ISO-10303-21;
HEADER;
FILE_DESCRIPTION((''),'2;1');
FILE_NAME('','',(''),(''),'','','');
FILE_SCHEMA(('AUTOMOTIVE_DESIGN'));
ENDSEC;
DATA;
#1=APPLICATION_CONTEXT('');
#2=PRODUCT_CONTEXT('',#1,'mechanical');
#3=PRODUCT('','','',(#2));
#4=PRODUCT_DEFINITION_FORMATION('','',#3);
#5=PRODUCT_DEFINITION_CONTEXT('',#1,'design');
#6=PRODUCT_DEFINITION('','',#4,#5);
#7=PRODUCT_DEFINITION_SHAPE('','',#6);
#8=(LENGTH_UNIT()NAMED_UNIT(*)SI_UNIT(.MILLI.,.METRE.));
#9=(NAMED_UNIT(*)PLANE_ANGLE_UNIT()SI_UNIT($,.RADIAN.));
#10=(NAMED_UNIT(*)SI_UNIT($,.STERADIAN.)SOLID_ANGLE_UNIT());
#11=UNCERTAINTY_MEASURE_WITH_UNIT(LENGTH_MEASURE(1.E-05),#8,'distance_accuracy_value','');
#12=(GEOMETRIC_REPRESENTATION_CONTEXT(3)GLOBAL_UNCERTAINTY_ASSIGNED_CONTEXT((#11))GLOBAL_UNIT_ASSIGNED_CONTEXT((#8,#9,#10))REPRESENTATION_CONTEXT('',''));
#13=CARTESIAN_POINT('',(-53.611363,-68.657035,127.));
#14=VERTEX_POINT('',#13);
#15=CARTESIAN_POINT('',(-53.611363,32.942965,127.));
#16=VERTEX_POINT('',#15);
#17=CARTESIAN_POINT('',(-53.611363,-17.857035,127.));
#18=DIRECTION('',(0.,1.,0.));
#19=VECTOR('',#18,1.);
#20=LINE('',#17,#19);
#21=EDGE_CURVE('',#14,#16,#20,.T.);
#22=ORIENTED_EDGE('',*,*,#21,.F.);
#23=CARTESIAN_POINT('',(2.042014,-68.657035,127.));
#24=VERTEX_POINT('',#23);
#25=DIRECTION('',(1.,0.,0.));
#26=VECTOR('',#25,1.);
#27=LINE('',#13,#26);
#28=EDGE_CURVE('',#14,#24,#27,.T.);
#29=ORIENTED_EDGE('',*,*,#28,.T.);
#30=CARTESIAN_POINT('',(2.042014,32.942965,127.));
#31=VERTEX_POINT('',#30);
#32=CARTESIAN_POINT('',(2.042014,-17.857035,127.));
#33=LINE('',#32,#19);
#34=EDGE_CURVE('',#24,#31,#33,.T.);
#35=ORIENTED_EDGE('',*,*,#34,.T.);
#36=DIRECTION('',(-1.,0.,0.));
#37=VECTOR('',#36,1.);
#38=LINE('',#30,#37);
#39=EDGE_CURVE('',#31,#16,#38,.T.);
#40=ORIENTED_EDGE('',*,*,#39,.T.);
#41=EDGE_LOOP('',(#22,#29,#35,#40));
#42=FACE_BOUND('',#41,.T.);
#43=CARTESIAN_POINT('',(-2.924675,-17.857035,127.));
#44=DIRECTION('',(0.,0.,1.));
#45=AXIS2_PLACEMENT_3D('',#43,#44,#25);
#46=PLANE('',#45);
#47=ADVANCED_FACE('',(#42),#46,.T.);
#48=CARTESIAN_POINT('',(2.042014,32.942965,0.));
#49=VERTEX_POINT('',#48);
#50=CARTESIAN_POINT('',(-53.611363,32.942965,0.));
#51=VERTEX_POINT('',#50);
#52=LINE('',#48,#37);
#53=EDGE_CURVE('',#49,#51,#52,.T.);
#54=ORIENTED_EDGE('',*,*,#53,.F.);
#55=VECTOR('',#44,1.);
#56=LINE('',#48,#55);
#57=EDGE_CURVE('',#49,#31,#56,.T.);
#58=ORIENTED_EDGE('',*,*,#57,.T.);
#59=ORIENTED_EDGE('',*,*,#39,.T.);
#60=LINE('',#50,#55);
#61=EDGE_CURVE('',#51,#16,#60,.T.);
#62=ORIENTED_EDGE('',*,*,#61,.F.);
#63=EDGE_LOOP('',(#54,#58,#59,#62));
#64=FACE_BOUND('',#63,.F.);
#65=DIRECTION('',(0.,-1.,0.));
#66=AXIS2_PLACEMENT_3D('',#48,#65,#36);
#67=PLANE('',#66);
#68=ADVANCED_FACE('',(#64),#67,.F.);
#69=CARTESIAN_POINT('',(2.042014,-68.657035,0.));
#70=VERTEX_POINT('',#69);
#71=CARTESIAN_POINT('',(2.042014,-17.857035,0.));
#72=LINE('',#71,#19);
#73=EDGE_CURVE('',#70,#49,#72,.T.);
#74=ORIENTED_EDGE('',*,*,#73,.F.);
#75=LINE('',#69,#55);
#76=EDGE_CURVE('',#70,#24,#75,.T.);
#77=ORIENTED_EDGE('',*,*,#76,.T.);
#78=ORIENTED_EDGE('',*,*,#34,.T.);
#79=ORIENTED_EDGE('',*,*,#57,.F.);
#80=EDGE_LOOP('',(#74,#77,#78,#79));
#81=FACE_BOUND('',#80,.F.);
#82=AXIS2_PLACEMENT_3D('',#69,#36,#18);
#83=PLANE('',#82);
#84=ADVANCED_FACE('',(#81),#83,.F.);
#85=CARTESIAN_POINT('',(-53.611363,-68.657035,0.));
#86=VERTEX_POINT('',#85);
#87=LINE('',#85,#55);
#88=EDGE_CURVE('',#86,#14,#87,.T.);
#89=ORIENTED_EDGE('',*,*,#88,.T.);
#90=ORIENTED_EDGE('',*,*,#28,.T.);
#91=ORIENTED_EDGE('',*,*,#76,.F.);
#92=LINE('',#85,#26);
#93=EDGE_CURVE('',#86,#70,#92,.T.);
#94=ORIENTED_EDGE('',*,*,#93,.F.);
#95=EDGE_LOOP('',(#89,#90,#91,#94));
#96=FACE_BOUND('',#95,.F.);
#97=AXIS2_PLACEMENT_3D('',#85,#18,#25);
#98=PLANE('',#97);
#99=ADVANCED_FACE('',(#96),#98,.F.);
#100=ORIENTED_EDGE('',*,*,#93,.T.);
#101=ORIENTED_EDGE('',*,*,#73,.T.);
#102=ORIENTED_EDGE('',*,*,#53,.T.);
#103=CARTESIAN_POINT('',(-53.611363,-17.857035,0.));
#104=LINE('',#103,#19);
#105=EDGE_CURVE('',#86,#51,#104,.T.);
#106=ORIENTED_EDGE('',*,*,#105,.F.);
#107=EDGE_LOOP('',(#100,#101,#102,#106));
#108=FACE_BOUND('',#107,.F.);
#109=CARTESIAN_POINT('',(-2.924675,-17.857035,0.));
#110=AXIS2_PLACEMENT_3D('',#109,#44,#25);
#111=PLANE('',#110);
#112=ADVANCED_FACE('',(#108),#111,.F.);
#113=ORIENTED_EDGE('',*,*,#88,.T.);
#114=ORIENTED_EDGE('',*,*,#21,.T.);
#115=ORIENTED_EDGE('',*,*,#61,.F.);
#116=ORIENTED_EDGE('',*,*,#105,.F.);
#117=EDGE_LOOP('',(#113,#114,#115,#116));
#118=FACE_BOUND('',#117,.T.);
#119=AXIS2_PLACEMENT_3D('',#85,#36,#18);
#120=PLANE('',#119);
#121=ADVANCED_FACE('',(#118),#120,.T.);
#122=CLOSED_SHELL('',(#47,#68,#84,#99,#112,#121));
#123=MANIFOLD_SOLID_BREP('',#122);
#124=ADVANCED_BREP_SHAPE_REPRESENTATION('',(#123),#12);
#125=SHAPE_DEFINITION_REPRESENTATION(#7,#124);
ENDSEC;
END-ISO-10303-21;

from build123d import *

# Parameters (mm, degrees)
F0_W     = 9.933377673
F0_H     = 101.6
F0_W_2   = 45.72
F1_DEPTH = 127


with BuildPart() as f1:
    # F0 (on Top) → F1 (new body)
    with BuildSketch(Plane.XY):
        with Locations((-2.9246745662, -17.8570347139)):
            Rectangle(F0_W, F0_H)
        with Locations((-30.7513634027, -17.8570347139)):
            Rectangle(F0_W_2, F0_H)
    extrude(amount=F1_DEPTH)


solid = f1.part
